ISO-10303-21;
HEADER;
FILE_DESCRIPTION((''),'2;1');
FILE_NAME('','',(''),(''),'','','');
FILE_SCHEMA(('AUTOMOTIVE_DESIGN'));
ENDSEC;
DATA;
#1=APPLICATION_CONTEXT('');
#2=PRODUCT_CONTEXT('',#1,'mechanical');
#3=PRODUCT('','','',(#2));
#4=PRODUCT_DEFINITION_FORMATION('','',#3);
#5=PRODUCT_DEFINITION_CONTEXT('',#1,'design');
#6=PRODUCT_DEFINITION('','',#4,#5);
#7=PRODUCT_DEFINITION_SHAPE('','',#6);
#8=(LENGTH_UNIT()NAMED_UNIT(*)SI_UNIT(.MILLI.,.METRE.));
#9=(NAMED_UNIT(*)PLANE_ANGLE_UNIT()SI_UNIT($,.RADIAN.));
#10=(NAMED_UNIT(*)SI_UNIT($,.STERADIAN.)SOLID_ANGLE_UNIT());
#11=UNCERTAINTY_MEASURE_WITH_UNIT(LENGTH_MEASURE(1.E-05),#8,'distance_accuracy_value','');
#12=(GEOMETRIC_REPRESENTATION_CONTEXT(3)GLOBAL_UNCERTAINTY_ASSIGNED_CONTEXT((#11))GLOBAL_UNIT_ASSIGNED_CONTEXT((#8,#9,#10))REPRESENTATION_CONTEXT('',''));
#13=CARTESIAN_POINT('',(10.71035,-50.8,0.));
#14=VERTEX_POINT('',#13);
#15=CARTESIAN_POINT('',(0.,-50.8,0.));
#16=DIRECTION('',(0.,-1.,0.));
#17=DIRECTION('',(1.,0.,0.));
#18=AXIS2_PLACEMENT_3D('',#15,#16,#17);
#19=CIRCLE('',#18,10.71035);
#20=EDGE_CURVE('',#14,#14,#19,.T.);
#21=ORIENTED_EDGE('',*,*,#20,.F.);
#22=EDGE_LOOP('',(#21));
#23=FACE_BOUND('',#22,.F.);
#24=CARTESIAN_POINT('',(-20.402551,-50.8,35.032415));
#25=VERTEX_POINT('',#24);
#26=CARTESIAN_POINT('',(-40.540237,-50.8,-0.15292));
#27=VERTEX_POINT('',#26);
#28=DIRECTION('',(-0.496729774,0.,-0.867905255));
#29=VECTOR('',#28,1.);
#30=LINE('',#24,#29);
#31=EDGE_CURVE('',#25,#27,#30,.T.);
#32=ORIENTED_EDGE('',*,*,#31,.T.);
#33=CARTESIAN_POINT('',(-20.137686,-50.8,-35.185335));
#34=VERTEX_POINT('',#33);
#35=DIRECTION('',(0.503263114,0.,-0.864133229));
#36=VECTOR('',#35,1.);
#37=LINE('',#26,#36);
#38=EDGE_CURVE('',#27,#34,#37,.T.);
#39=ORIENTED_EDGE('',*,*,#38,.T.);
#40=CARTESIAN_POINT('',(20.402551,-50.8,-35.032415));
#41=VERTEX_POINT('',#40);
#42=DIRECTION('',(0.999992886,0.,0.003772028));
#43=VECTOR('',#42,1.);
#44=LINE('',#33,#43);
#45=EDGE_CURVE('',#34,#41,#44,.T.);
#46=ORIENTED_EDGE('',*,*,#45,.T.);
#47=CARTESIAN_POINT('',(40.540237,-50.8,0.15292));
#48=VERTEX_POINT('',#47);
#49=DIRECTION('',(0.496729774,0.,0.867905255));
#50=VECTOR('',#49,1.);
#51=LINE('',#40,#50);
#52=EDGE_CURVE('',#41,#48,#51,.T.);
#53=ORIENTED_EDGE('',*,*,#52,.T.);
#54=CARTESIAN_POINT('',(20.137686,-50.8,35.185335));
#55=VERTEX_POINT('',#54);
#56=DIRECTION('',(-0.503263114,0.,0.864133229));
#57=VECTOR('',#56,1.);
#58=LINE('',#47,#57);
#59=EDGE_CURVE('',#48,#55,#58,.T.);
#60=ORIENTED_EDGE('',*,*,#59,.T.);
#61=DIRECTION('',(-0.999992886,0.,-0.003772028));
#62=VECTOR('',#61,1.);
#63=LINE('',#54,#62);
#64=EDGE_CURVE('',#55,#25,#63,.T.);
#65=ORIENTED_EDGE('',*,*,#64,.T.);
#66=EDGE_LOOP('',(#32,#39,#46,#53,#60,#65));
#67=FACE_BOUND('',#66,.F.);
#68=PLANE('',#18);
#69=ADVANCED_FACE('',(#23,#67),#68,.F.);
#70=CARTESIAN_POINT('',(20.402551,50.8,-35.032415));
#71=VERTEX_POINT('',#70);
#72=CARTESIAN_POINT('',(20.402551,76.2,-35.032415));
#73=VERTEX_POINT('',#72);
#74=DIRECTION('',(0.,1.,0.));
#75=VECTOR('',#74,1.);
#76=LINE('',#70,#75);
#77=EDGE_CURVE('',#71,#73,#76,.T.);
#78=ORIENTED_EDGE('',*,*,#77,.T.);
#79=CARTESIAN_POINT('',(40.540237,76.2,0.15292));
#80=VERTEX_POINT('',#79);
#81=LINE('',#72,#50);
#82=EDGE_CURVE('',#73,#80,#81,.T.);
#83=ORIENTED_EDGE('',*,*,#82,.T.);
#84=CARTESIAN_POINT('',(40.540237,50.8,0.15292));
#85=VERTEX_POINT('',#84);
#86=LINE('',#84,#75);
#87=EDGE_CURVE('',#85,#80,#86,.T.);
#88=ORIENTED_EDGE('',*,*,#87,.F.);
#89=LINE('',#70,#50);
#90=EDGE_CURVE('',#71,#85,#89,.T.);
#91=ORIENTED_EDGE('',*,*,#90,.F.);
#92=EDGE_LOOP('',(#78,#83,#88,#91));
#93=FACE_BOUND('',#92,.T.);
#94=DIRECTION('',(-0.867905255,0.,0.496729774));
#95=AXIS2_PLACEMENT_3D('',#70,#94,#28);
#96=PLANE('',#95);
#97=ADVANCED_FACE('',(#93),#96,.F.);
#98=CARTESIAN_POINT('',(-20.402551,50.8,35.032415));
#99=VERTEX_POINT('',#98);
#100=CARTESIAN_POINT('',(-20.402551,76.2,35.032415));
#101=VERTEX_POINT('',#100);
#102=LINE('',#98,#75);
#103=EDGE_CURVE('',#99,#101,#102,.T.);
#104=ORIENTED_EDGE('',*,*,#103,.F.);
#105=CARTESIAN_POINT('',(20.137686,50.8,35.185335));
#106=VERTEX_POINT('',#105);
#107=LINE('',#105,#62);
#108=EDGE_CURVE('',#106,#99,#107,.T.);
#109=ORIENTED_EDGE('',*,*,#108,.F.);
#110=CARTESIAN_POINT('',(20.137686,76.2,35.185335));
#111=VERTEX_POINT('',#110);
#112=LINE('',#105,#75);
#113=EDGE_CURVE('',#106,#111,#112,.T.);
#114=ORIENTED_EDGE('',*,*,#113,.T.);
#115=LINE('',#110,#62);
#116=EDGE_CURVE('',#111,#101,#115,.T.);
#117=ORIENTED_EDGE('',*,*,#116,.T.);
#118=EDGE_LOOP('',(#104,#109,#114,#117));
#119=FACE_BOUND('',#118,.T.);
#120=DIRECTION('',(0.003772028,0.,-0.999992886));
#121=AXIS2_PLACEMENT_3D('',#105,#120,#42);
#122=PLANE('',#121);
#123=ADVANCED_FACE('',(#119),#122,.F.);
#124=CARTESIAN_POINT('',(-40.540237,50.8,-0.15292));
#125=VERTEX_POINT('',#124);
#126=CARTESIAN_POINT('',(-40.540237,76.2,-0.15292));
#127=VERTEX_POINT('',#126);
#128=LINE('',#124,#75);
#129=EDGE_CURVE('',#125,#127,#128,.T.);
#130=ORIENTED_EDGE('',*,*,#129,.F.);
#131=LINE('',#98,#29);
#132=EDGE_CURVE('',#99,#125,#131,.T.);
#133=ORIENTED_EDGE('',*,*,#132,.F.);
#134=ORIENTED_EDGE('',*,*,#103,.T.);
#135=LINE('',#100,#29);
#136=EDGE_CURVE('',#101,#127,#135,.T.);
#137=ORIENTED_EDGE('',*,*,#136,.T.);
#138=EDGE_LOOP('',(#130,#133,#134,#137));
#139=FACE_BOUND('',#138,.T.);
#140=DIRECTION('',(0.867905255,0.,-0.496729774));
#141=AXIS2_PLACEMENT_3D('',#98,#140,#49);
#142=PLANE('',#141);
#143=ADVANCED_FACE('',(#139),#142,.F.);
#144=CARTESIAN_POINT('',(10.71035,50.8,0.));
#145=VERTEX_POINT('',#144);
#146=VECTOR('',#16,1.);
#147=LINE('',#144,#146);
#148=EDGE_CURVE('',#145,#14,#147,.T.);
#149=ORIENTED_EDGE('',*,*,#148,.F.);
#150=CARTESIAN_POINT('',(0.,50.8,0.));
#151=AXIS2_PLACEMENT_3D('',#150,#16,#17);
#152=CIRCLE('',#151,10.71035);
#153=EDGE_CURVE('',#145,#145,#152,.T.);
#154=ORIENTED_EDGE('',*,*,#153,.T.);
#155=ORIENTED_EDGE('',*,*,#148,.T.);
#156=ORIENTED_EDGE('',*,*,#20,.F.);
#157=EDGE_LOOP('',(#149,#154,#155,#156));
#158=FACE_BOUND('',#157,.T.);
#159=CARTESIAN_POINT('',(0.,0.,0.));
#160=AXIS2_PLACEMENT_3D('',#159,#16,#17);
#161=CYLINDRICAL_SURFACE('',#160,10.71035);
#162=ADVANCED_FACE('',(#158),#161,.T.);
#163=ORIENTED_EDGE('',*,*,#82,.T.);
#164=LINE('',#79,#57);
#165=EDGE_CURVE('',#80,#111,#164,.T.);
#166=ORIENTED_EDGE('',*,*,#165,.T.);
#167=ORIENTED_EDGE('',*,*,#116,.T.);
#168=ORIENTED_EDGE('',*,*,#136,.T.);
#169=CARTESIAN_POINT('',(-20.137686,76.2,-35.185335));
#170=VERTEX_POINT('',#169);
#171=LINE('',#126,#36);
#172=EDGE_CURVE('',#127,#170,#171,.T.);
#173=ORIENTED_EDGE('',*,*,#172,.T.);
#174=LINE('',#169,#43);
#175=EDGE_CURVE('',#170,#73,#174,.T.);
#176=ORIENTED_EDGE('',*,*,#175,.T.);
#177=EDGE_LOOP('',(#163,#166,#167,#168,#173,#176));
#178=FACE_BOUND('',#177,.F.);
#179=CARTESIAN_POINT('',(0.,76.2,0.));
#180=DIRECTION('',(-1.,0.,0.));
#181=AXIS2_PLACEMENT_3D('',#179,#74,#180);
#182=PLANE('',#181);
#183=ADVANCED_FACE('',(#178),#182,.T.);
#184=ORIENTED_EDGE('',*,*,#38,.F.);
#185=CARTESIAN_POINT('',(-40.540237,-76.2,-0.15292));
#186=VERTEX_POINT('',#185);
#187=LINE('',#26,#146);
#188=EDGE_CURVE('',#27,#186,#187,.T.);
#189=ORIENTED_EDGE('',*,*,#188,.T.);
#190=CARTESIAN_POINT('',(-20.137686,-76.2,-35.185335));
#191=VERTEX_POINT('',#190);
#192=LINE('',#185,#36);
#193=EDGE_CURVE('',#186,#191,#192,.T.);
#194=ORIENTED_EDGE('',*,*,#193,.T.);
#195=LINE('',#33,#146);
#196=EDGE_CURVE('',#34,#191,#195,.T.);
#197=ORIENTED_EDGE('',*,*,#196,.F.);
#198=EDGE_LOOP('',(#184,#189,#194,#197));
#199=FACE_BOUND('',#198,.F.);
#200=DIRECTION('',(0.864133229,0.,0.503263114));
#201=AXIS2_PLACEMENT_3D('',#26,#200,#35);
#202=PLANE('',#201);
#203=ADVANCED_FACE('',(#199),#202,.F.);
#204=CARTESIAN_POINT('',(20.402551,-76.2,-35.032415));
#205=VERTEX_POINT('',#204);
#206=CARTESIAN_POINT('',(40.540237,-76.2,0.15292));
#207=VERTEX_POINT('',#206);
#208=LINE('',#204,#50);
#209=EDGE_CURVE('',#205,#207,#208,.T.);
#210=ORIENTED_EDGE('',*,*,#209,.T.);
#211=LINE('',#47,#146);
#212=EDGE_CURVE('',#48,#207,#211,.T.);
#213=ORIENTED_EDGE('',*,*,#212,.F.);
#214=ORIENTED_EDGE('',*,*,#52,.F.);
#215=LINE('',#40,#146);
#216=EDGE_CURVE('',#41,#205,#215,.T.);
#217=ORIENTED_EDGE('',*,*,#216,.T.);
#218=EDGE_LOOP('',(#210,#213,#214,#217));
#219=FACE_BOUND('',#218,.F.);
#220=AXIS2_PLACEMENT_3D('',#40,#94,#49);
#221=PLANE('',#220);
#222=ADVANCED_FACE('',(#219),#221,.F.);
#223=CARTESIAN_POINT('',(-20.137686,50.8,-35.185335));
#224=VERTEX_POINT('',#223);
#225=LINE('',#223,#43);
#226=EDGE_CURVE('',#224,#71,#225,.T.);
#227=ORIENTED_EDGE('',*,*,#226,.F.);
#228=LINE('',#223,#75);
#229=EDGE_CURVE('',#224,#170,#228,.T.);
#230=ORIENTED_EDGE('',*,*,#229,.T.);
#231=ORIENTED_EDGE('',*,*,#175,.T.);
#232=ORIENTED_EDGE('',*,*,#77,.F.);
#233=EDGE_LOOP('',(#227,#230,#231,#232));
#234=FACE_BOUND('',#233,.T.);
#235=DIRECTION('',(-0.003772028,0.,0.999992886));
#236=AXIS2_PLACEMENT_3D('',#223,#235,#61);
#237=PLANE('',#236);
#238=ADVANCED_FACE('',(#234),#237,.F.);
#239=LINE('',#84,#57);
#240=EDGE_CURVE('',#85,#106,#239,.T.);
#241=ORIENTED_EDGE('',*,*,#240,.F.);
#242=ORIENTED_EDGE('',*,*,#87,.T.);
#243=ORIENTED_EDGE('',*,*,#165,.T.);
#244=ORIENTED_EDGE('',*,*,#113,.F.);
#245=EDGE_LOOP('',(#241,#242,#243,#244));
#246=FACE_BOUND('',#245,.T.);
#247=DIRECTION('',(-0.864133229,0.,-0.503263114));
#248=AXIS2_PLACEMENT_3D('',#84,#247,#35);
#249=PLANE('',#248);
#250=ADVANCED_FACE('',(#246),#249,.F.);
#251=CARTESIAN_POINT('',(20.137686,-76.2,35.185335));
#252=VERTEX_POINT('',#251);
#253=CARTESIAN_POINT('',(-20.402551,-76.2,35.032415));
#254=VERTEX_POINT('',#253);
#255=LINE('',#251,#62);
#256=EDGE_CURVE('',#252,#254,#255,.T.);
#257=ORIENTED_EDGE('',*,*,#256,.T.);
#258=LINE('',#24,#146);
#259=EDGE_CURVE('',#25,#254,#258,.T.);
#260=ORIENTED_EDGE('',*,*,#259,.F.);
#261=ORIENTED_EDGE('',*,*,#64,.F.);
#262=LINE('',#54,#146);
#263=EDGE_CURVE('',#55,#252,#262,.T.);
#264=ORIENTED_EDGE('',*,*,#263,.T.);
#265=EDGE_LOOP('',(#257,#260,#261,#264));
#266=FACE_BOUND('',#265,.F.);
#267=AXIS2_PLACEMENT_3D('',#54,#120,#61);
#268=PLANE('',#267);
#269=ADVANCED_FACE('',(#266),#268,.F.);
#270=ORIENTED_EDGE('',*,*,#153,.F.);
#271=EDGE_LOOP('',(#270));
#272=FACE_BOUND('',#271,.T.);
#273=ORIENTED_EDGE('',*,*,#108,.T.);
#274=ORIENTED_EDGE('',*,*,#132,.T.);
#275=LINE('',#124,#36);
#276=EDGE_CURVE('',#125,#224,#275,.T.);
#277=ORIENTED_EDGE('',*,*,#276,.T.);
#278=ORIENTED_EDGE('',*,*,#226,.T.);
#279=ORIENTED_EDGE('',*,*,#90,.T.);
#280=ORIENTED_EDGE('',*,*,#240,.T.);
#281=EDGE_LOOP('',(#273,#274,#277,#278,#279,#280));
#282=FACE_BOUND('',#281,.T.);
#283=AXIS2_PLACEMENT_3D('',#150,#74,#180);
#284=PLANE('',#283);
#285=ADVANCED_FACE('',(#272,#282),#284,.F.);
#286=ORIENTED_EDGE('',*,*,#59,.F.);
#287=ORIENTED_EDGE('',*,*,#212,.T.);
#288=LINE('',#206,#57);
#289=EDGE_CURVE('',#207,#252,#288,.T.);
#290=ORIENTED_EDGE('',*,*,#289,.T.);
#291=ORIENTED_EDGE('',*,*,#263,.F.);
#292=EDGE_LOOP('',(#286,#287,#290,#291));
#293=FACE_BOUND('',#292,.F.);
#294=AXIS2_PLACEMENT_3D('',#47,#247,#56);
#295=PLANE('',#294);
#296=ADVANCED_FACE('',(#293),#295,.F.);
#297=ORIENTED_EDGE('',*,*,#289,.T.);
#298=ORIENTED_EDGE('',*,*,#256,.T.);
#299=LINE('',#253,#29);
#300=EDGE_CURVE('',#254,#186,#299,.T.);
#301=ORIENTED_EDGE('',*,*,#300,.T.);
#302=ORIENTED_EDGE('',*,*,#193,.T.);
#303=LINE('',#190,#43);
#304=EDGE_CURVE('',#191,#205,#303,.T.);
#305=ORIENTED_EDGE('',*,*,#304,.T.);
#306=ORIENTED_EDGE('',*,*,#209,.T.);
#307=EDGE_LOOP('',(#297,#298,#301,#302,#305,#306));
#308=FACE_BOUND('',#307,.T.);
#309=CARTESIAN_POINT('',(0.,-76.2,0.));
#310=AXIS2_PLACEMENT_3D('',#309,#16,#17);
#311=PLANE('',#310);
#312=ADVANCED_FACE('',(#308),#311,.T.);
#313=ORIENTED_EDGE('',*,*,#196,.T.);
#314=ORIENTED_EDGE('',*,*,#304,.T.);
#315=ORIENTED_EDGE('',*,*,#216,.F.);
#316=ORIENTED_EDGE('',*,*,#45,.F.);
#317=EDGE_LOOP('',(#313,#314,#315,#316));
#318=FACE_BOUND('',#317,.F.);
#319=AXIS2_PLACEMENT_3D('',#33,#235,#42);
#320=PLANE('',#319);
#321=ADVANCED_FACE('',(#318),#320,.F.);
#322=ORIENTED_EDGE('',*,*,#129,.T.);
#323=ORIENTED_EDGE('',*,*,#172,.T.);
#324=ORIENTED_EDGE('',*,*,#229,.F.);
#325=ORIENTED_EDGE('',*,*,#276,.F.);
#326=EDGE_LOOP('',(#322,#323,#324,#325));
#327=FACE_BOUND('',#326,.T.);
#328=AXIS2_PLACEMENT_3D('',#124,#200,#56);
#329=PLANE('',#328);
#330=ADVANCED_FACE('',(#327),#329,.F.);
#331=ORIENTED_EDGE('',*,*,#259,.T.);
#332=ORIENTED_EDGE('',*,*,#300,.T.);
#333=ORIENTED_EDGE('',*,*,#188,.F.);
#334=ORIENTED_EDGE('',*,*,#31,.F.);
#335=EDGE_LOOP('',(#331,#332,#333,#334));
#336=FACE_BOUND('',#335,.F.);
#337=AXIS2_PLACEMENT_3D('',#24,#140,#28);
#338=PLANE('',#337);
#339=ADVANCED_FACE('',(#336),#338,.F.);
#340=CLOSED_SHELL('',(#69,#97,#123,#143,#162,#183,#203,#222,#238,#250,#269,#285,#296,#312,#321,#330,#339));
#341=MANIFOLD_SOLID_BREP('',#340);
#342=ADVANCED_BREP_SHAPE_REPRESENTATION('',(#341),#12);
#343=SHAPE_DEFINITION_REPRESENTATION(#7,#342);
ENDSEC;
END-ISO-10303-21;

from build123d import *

# Parameters (mm, degrees)
F0_R     = 10.71035
F1_DEPTH = 50.8
F3_DEPTH = 25.4


with BuildPart() as f1:
    # F0 (on Front) → F1 (new body)
    with BuildSketch(Plane.XZ):
        Circle(F0_R)
    extrude(amount=F1_DEPTH)

    # F2 (on face) → F3 (join)
    with BuildSketch(Plane.XZ.offset(50.8)):
        Polygon((20.402551, -35.032415), (40.540237, 0.15292), (20.137686, 35.185335), (-20.402551, 35.032415), (-40.540237, -0.15292), (-20.137686, -35.185335), align=None)
    extrude(amount=F3_DEPTH)

    # F4: F1 across plane


with BuildPart() as f1_1:
    add(f1.part)
    add(f1.part.mirror(Plane.XZ))


solid = f1_1.part
